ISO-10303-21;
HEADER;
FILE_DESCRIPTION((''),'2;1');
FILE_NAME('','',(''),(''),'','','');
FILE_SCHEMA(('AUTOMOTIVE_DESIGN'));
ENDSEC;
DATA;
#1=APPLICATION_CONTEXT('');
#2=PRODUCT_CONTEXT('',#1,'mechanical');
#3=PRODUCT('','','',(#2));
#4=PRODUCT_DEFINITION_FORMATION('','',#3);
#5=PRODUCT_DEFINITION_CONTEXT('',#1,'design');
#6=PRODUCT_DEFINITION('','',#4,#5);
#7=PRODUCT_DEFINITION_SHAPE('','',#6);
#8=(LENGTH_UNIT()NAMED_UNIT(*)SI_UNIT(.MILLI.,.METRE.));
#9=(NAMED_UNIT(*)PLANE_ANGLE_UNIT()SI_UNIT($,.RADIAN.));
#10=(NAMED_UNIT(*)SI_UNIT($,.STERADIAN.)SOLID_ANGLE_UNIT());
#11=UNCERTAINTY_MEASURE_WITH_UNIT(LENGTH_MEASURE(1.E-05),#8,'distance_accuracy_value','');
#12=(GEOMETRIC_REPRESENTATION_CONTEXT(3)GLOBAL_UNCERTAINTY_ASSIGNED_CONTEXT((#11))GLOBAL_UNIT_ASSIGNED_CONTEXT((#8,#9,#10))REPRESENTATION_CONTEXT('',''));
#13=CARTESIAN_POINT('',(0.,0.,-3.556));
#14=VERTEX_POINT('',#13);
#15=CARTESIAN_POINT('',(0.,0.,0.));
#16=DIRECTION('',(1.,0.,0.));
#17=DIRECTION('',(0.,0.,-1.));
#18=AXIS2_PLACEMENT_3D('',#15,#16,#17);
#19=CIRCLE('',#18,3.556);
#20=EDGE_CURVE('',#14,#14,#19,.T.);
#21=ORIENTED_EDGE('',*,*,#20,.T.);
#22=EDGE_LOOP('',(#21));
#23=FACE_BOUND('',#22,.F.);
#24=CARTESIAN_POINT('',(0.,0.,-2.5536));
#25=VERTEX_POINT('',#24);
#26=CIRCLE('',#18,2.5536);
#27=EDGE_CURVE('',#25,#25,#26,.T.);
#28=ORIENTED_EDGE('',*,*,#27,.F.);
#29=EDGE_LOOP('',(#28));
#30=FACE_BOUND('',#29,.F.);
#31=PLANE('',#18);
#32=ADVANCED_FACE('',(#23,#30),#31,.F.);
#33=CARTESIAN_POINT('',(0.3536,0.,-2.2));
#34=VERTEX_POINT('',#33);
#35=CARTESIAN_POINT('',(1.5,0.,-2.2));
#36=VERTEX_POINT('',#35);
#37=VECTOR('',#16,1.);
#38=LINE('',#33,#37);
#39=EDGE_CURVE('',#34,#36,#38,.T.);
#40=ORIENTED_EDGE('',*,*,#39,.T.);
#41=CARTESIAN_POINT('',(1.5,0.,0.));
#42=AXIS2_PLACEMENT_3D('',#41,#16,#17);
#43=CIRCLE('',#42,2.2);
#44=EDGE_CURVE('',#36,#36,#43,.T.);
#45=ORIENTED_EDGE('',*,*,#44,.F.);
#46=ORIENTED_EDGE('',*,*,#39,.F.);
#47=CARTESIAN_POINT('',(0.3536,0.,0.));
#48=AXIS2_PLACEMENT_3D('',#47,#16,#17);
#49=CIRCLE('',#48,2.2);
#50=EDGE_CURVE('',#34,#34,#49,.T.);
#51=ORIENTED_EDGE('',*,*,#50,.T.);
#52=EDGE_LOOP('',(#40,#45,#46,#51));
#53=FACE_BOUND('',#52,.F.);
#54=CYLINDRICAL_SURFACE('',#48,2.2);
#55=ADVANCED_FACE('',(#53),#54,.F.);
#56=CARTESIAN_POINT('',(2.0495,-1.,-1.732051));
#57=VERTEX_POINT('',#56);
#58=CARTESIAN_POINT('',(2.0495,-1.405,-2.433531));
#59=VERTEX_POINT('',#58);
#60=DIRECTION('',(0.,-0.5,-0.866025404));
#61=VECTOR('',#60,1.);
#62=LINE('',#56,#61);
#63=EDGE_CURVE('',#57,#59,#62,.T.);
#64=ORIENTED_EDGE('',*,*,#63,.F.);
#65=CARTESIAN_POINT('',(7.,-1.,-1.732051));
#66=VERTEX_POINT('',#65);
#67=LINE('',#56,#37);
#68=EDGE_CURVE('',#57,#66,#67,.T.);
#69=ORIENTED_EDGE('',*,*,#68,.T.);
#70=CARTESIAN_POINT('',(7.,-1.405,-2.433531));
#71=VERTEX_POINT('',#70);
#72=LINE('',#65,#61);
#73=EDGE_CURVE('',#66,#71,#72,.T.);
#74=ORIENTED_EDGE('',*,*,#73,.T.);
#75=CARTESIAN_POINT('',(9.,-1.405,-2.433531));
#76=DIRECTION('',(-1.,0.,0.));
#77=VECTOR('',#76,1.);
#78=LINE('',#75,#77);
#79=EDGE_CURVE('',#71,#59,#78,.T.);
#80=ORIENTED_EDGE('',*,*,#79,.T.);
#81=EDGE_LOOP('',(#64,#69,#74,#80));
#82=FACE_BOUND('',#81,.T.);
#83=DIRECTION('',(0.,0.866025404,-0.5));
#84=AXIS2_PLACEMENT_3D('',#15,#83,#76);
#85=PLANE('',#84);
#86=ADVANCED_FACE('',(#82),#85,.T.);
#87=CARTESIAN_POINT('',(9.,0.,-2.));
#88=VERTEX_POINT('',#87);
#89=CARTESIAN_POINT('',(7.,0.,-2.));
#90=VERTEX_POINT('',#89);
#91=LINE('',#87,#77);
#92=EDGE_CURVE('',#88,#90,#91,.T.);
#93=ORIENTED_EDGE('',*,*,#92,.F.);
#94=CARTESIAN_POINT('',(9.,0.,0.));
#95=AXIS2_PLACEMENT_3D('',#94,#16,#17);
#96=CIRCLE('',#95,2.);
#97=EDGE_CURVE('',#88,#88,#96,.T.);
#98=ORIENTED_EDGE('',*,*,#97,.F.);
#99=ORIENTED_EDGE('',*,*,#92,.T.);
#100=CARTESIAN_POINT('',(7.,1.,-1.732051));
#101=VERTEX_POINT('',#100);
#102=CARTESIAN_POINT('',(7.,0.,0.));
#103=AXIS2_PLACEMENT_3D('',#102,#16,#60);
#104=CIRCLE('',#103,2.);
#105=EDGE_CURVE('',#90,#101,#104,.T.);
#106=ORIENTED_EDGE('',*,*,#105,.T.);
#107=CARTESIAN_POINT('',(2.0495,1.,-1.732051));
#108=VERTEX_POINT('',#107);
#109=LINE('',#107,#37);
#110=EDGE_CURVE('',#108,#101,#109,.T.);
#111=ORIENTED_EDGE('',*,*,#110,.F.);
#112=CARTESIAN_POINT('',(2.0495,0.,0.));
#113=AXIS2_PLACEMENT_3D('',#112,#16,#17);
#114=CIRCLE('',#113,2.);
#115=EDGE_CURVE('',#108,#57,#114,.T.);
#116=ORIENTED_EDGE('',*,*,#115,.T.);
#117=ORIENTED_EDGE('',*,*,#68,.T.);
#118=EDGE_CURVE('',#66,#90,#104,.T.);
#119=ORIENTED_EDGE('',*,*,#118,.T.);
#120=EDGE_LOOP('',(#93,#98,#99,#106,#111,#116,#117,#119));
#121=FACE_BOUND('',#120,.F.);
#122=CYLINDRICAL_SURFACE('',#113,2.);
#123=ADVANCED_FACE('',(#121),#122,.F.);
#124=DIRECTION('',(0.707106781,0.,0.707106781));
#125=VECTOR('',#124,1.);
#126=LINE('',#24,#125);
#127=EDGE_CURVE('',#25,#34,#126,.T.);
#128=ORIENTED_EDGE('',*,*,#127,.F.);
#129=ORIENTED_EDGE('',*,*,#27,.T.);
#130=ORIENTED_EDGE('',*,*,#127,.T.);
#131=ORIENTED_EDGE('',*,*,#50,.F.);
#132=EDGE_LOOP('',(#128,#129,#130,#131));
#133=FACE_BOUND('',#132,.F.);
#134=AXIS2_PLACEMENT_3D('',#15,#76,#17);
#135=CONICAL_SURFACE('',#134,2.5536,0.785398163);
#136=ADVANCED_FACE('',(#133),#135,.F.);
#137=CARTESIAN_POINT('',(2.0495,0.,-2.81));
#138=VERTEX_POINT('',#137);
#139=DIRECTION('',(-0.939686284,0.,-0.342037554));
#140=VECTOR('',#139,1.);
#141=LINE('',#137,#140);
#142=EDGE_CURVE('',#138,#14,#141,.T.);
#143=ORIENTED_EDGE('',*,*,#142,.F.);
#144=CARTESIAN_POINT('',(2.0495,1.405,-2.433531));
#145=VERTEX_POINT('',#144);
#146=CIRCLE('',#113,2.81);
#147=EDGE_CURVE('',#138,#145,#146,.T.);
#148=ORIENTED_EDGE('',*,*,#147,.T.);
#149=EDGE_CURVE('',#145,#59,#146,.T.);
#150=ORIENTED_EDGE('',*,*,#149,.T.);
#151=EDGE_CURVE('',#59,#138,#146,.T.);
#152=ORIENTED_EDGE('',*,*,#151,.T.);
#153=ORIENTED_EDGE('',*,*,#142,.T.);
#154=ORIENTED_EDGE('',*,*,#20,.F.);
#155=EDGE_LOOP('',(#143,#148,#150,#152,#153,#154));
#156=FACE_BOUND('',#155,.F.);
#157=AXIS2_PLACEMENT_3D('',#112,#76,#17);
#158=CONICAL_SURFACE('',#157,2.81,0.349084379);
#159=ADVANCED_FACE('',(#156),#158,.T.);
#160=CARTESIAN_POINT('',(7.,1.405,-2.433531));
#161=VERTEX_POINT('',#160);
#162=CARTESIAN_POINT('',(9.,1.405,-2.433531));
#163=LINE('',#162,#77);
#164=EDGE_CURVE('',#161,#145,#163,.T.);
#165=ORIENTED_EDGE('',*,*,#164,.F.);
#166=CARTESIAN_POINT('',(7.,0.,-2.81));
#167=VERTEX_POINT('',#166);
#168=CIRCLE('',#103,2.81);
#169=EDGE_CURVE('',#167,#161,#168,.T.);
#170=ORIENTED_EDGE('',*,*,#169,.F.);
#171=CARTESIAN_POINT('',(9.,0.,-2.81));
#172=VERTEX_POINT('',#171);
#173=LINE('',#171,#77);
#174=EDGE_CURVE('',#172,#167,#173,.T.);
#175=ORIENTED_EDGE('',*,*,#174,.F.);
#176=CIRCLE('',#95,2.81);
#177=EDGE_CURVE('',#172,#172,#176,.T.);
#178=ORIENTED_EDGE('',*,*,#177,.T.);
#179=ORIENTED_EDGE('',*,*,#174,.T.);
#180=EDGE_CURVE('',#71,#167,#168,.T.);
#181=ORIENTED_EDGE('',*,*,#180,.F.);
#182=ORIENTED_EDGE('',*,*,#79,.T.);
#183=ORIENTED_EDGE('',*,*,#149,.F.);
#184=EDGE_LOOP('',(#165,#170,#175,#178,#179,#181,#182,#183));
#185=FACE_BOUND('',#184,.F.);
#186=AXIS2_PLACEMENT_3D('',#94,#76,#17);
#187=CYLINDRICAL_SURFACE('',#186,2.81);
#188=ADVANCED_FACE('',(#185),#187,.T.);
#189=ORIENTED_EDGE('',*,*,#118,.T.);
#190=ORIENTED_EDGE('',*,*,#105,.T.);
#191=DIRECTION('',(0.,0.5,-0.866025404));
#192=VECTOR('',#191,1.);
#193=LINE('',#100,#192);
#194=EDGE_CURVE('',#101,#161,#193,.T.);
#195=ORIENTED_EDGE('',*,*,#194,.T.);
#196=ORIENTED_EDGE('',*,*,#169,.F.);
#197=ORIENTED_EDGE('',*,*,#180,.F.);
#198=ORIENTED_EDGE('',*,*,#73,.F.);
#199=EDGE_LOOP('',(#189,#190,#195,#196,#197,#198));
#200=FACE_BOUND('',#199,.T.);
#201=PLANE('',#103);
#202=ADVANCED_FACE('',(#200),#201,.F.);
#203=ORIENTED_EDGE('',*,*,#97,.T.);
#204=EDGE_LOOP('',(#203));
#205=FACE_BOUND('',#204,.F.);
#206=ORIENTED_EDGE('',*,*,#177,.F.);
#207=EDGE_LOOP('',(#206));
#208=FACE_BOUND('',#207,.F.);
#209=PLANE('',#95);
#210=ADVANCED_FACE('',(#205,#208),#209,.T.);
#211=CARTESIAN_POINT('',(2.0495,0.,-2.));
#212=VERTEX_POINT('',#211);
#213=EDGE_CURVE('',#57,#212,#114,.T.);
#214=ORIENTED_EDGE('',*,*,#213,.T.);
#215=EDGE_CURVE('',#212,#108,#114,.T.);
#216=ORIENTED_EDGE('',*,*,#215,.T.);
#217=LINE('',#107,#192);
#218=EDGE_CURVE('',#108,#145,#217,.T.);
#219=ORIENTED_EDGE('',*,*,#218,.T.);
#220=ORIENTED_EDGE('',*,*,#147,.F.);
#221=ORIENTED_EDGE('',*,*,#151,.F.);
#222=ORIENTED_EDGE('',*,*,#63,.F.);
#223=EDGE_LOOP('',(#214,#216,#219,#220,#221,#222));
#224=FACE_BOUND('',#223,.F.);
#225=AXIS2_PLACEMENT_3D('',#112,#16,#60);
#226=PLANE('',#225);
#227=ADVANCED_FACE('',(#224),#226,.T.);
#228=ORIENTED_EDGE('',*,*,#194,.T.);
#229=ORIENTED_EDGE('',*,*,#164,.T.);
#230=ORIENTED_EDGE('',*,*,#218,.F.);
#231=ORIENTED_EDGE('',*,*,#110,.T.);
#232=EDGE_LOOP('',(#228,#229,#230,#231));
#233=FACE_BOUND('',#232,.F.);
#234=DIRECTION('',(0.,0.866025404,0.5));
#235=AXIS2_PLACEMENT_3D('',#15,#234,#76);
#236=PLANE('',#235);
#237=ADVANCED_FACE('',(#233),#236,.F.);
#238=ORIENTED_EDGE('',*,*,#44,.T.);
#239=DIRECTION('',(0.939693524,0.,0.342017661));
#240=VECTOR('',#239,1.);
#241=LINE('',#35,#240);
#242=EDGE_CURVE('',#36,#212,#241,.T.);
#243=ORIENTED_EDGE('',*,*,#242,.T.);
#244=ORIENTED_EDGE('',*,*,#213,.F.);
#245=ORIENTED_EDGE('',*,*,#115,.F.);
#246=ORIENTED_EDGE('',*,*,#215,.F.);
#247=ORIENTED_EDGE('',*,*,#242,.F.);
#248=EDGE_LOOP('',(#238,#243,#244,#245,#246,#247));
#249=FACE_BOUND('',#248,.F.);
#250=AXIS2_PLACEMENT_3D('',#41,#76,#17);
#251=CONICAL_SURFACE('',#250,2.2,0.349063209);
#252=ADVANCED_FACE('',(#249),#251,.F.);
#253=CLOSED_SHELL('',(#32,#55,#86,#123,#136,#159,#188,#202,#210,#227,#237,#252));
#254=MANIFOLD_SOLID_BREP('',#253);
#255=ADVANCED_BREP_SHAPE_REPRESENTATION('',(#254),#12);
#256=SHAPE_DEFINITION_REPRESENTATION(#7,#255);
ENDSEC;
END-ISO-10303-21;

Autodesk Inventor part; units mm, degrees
ref_plane "YZ Plane" through (0, 0, 0) normal (1, 0, 0) x (0, 1, 0)
ref_plane "XZ Plane" through (0, 0, 0) normal (0, 1, 0) x (-1, 0, 0)
ref_plane "XY Plane" through (0, 0, 0) normal (0, 0, 1) x (1, 0, 0)
sketch "Sketch1" plane through (0, 0, 0) normal (0, 1, 0) x (-1, 0, 0)
  line L0 (0, 0) -> (-2.1541, 0)
  line L1 (0, -2.5536) -> (-0.3536, -2.2)
  line L2 (-1.5, -2.2) -> (-2.0495, -2)
  line L3 (-2.0495, -2) -> (-9, -2)
  line L4 (-9, -2) -> (-9, -2.81)
  line L5 (-9, -2.81) -> (-2.0495, -2.81)
  line L6 (-2.0495, -2.81) -> (0, -3.556)
  line L7 (0, -3.556) -> (0, -2.5536)
  line L8 (-2.0495, -2) -> (-2.0495, -2.81)
  line L9 (-7, -2) -> (-7, -2.81)
  line L10 (-0.3536, -2.2) -> (-1.5, -2.2)
  line L11 (0, -1.3) -> (-3.2, -1.3)
  point P0 (0, 0)
  dimension "d1" = 2
  dimension "d2" = 160
  dimension "d3" = 0.81
  dimension "d4" = 9
  dimension "d6" = 2
  dimension "d9" = 2.2
  dimension "d10" = 0.5
  dimension "d11" = 135
  dimension "d12" = 1.5
  dimension "d13" = 3.2
  dimension "d14" = 1.3
revolve "Revolution1" add sketch "Sketch1" angle 360 about axis through (0, 0, 0) along (1, 0, 0)
revolve "Revolution2" cut sketch "Sketch1" angle 60 mid plane about axis through (0, 0, 0) along (1, 0, 0) contours L5 L9 L3 L8
properties part number "collimator"
